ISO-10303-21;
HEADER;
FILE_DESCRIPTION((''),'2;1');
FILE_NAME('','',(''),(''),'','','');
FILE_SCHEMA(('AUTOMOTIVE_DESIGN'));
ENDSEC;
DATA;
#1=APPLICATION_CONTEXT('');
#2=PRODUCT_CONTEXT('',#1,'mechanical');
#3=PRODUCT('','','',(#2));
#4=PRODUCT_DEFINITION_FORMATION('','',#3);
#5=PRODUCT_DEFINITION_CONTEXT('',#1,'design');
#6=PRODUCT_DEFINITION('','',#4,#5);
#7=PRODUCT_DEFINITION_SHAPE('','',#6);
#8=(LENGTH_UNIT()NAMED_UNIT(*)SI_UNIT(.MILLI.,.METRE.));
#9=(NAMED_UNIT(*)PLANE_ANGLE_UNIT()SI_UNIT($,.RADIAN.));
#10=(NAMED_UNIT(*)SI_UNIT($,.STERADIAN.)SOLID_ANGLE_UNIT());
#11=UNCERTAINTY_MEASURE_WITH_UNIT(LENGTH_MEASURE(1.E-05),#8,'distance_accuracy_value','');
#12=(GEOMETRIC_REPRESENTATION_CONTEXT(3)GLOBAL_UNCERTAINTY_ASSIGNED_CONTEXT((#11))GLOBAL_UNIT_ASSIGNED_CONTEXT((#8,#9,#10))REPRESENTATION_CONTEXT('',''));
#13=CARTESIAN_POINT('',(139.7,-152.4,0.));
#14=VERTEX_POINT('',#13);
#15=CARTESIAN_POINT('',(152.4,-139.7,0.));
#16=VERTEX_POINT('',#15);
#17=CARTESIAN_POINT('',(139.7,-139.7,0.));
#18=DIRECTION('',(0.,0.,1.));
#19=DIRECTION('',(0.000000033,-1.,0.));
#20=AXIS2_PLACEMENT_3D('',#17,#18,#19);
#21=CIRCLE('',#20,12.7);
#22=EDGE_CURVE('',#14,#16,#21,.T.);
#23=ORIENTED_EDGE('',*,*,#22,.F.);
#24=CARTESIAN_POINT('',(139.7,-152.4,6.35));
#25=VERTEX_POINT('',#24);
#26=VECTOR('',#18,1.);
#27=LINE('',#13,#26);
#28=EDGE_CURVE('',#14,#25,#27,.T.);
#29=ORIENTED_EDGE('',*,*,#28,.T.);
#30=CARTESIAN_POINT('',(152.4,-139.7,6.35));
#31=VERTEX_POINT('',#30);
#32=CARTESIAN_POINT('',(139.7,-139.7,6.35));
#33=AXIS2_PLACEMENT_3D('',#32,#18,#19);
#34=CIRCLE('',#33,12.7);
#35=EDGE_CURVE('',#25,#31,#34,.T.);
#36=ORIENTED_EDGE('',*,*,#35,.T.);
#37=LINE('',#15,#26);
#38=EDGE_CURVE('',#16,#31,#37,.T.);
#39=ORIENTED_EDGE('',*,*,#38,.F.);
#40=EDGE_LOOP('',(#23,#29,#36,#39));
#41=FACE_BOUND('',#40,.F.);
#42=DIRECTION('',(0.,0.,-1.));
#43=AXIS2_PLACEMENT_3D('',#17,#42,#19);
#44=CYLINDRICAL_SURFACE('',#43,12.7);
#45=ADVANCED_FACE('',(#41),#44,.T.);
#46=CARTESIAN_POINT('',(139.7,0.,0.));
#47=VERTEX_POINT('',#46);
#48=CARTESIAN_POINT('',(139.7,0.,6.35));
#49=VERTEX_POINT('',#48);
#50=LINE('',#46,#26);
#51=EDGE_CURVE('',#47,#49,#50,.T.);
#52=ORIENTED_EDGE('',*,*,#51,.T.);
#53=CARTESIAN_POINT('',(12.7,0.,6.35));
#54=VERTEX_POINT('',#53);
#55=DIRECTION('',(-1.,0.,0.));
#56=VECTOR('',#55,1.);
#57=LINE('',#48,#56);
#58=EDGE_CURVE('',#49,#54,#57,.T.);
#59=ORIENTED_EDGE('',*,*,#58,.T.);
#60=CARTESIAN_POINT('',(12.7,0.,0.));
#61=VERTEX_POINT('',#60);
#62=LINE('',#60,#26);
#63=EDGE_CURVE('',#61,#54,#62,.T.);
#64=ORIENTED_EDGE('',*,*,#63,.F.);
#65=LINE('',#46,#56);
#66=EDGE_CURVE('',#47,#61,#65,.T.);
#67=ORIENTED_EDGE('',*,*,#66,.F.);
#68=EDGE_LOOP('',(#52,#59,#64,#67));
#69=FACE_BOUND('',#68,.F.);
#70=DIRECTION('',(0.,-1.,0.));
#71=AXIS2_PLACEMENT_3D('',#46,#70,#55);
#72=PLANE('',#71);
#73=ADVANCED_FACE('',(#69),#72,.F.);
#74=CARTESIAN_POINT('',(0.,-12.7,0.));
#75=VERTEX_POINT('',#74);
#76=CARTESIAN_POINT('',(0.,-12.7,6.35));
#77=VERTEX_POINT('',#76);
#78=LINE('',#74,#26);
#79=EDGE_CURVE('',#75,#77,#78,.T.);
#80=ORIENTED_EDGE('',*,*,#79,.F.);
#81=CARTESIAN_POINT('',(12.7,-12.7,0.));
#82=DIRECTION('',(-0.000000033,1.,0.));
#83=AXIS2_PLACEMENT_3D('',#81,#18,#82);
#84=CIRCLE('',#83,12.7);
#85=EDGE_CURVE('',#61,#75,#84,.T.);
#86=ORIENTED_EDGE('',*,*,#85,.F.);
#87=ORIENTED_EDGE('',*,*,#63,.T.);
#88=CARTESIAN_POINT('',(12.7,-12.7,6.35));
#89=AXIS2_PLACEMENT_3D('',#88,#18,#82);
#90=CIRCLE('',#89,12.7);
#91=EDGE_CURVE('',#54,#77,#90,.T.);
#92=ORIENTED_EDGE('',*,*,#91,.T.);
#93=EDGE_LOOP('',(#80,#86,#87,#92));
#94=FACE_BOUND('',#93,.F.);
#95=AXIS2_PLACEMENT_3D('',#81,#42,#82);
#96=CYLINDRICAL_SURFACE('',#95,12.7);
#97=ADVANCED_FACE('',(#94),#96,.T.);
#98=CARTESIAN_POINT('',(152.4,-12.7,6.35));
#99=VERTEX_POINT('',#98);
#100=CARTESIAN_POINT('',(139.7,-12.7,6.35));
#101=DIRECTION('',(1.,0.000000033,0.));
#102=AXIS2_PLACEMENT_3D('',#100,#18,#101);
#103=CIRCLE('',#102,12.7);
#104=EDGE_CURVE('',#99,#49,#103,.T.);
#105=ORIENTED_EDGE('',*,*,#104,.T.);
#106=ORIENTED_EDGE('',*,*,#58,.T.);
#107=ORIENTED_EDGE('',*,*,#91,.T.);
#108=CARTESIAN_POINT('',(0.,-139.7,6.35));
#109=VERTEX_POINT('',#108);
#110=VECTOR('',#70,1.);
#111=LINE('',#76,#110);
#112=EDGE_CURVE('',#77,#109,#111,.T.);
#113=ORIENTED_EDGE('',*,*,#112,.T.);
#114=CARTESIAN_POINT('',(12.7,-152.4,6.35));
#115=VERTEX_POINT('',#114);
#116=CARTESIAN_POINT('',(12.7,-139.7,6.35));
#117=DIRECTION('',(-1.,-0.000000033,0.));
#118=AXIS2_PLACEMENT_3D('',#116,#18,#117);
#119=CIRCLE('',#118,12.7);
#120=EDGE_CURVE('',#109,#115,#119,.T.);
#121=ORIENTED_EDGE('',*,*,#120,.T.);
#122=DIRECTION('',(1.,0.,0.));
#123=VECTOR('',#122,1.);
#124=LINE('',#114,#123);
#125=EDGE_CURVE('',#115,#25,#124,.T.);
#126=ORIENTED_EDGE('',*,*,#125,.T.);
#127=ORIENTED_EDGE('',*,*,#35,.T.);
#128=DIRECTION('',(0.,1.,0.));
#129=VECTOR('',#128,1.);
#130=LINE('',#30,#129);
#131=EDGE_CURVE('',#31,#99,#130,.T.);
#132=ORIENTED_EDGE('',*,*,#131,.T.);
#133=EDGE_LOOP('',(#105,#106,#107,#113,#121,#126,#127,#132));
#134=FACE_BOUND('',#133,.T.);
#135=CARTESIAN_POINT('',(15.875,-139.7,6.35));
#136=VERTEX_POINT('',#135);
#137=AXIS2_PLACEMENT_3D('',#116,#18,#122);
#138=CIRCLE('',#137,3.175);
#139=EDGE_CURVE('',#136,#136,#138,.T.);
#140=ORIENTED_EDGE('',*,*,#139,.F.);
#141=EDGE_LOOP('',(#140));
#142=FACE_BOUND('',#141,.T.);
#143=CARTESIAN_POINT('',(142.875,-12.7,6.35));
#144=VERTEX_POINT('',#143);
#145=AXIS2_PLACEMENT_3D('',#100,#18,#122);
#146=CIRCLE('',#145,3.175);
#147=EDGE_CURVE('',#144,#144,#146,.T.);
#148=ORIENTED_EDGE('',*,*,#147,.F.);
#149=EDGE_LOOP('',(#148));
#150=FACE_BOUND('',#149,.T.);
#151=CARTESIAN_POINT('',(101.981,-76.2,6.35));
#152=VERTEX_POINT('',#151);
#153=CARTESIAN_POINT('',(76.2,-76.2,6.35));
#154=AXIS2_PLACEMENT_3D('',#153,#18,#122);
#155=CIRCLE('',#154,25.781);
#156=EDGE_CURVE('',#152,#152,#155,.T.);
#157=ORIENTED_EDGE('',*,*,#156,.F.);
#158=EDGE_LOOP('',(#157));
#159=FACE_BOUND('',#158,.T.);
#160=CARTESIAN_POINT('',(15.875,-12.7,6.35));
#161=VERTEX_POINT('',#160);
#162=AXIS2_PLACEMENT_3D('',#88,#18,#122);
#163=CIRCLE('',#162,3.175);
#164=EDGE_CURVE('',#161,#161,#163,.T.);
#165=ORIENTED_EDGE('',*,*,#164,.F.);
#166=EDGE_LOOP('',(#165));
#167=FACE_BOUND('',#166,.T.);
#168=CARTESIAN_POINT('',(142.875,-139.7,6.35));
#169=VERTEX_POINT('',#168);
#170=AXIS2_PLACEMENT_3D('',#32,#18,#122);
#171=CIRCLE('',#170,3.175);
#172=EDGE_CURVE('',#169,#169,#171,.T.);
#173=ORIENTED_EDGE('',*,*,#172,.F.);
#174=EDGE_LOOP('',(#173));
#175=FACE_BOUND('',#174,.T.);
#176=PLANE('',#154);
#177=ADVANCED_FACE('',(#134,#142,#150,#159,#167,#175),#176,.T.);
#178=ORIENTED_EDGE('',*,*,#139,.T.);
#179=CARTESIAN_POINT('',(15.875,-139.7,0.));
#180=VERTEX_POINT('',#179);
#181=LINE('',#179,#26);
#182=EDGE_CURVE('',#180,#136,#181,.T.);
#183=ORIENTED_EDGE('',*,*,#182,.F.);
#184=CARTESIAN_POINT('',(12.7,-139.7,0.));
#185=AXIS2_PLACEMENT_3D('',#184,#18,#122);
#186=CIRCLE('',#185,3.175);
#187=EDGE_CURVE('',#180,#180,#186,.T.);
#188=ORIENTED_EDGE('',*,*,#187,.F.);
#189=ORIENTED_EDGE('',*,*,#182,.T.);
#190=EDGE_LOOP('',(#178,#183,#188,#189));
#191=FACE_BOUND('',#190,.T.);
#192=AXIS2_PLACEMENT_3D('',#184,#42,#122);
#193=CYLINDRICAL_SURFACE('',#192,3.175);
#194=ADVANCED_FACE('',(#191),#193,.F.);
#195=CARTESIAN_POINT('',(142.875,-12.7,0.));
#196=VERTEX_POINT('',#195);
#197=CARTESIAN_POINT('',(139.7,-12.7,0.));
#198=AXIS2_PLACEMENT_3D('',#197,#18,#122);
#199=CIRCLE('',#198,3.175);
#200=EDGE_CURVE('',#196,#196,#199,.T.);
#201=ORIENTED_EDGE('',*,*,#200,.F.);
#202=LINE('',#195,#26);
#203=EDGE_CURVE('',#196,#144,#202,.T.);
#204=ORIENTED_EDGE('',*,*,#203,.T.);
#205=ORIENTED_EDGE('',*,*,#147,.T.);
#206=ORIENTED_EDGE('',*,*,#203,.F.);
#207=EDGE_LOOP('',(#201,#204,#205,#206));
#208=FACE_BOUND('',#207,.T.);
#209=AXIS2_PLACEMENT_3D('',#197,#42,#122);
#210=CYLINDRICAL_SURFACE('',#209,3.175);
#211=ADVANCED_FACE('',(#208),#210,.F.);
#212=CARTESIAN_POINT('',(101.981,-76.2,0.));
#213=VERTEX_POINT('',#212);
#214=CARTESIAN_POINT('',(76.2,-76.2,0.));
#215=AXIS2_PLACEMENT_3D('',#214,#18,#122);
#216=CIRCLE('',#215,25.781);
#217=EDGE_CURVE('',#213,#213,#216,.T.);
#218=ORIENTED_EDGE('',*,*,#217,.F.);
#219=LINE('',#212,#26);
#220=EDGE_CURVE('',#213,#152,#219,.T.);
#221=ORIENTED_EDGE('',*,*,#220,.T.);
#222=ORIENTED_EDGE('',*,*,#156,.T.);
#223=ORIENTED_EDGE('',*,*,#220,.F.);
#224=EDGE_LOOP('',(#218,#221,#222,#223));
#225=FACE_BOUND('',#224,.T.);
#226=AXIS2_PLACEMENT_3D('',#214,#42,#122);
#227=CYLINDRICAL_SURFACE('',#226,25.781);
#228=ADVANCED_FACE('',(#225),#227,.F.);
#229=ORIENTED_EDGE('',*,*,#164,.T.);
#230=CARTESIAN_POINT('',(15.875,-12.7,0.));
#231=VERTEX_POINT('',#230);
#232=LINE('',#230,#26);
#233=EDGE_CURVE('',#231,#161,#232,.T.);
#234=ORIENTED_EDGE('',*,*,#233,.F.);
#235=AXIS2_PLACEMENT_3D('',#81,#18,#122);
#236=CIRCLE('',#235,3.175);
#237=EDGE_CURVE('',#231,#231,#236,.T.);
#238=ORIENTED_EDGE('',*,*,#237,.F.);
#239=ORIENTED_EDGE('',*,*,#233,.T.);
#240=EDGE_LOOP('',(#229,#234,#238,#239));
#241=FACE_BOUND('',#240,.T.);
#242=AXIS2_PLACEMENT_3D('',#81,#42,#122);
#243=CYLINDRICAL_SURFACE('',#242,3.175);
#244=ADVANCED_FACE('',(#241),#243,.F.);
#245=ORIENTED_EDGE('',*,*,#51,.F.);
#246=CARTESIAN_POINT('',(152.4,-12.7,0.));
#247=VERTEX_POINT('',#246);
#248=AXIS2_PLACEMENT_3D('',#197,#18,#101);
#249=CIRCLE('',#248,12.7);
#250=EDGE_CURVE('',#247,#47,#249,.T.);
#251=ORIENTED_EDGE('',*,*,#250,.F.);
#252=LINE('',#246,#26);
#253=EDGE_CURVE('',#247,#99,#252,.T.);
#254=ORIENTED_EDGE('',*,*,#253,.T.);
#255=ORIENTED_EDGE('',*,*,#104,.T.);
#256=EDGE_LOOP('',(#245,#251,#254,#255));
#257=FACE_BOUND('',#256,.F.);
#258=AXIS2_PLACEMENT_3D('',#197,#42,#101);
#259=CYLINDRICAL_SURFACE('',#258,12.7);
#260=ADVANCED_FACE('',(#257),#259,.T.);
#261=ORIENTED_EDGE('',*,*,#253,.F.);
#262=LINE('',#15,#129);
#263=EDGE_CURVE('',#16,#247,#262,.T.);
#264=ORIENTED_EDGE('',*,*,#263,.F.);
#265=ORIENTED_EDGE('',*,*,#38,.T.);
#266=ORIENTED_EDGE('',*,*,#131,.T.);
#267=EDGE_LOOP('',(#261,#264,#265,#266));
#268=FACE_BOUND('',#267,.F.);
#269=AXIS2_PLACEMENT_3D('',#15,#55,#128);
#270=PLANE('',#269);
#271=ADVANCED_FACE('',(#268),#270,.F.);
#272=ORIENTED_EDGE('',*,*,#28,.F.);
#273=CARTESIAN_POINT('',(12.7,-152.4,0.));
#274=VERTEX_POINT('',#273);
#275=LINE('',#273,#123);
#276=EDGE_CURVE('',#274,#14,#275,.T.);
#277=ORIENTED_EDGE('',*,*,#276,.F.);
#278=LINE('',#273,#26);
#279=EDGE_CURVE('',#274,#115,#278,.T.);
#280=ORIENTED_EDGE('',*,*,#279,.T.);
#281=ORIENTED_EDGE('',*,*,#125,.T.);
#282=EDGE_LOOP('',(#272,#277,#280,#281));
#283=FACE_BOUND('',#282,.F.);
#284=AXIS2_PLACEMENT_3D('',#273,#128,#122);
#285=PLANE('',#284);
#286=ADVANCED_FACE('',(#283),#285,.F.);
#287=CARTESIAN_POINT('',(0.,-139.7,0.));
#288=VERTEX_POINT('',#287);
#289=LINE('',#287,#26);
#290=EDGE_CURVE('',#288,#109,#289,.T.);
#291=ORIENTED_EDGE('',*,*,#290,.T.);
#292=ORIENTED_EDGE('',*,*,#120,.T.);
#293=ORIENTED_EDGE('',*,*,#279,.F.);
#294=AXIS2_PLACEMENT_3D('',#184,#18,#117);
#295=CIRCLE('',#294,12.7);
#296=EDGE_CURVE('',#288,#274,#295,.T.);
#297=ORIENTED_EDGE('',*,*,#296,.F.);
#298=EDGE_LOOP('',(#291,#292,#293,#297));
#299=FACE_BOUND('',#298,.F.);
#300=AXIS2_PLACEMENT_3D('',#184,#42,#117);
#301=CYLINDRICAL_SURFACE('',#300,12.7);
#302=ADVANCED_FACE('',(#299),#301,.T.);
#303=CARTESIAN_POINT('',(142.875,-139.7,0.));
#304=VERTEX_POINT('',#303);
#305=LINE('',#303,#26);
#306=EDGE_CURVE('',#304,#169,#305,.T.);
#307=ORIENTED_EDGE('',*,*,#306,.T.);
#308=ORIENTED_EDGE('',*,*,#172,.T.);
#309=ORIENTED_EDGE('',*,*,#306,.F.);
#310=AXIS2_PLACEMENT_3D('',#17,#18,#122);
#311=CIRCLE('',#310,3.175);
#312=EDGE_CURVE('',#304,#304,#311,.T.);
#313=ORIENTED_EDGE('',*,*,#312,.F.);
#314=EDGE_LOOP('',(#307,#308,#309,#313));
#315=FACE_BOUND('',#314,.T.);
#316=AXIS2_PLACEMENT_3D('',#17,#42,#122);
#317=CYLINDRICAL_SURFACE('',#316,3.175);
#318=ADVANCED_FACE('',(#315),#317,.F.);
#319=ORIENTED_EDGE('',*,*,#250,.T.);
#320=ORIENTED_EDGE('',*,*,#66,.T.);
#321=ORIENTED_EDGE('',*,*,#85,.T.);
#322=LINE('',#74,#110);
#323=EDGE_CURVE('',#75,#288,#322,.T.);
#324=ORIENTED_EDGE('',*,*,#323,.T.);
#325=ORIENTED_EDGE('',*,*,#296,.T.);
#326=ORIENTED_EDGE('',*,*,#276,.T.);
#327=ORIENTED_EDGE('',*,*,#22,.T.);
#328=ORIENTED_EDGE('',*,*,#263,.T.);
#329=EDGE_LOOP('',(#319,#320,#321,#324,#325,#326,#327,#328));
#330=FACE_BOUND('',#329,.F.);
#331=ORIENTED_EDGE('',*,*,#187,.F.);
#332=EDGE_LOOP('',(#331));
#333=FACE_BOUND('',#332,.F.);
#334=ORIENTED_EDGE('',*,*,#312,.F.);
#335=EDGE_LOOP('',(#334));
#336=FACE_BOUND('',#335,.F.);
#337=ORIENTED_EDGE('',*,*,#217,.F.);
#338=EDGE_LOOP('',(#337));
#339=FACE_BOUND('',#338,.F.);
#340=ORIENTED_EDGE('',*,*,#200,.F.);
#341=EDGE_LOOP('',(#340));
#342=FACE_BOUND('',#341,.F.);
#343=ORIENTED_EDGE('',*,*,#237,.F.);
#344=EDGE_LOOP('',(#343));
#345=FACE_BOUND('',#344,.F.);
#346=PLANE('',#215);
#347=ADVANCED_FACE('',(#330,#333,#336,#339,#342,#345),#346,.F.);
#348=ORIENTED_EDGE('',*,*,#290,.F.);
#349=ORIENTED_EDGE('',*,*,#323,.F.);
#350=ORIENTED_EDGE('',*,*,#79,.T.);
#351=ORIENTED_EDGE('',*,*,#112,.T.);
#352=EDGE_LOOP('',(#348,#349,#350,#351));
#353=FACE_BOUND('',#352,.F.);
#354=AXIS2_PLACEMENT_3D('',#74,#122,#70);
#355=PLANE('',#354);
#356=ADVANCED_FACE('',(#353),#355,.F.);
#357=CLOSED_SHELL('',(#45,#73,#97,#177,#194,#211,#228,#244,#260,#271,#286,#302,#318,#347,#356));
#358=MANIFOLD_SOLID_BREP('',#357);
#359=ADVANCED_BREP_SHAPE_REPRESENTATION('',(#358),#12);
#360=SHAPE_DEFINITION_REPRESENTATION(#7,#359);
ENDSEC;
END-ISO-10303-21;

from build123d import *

# Parameters (mm, degrees)
F0_R     = 3.175
F0_R_2   = 25.781
F1_DEPTH = 6.35


with BuildPart() as f1:
    # F0 (on Top) → F1 (new body)
    with BuildSketch(Plane.XY):
        with BuildLine():
            Line((139.7, 0), (12.7, 0))
            ThreePointArc((12.7, 0), (3.719744, -3.719744), (0, -12.7))
            Line((0, -12.7), (0, -139.7))
            ThreePointArc((0, -139.7), (3.719744, -148.680256), (12.7, -152.4))
            Line((12.7, -152.4), (139.7, -152.4))
            ThreePointArc((139.7, -152.4), (148.680256, -148.680256), (152.4, -139.7))
            Line((152.4, -139.7), (152.4, -12.7))
            ThreePointArc((152.4, -12.7), (148.680256, -3.719744), (139.7, 0))
        make_face()
        with Locations((12.7, -139.7)):
            Circle(F0_R, mode=Mode.SUBTRACT)
        with Locations((139.7, -139.7)):
            Circle(F0_R, mode=Mode.SUBTRACT)
        with Locations((76.2, -76.2)):
            Circle(F0_R_2, mode=Mode.SUBTRACT)
        with Locations((12.7, -12.7)):
            Circle(F0_R, mode=Mode.SUBTRACT)
        with Locations((139.7, -12.7)):
            Circle(F0_R, mode=Mode.SUBTRACT)
    extrude(amount=F1_DEPTH)


solid = f1.part
